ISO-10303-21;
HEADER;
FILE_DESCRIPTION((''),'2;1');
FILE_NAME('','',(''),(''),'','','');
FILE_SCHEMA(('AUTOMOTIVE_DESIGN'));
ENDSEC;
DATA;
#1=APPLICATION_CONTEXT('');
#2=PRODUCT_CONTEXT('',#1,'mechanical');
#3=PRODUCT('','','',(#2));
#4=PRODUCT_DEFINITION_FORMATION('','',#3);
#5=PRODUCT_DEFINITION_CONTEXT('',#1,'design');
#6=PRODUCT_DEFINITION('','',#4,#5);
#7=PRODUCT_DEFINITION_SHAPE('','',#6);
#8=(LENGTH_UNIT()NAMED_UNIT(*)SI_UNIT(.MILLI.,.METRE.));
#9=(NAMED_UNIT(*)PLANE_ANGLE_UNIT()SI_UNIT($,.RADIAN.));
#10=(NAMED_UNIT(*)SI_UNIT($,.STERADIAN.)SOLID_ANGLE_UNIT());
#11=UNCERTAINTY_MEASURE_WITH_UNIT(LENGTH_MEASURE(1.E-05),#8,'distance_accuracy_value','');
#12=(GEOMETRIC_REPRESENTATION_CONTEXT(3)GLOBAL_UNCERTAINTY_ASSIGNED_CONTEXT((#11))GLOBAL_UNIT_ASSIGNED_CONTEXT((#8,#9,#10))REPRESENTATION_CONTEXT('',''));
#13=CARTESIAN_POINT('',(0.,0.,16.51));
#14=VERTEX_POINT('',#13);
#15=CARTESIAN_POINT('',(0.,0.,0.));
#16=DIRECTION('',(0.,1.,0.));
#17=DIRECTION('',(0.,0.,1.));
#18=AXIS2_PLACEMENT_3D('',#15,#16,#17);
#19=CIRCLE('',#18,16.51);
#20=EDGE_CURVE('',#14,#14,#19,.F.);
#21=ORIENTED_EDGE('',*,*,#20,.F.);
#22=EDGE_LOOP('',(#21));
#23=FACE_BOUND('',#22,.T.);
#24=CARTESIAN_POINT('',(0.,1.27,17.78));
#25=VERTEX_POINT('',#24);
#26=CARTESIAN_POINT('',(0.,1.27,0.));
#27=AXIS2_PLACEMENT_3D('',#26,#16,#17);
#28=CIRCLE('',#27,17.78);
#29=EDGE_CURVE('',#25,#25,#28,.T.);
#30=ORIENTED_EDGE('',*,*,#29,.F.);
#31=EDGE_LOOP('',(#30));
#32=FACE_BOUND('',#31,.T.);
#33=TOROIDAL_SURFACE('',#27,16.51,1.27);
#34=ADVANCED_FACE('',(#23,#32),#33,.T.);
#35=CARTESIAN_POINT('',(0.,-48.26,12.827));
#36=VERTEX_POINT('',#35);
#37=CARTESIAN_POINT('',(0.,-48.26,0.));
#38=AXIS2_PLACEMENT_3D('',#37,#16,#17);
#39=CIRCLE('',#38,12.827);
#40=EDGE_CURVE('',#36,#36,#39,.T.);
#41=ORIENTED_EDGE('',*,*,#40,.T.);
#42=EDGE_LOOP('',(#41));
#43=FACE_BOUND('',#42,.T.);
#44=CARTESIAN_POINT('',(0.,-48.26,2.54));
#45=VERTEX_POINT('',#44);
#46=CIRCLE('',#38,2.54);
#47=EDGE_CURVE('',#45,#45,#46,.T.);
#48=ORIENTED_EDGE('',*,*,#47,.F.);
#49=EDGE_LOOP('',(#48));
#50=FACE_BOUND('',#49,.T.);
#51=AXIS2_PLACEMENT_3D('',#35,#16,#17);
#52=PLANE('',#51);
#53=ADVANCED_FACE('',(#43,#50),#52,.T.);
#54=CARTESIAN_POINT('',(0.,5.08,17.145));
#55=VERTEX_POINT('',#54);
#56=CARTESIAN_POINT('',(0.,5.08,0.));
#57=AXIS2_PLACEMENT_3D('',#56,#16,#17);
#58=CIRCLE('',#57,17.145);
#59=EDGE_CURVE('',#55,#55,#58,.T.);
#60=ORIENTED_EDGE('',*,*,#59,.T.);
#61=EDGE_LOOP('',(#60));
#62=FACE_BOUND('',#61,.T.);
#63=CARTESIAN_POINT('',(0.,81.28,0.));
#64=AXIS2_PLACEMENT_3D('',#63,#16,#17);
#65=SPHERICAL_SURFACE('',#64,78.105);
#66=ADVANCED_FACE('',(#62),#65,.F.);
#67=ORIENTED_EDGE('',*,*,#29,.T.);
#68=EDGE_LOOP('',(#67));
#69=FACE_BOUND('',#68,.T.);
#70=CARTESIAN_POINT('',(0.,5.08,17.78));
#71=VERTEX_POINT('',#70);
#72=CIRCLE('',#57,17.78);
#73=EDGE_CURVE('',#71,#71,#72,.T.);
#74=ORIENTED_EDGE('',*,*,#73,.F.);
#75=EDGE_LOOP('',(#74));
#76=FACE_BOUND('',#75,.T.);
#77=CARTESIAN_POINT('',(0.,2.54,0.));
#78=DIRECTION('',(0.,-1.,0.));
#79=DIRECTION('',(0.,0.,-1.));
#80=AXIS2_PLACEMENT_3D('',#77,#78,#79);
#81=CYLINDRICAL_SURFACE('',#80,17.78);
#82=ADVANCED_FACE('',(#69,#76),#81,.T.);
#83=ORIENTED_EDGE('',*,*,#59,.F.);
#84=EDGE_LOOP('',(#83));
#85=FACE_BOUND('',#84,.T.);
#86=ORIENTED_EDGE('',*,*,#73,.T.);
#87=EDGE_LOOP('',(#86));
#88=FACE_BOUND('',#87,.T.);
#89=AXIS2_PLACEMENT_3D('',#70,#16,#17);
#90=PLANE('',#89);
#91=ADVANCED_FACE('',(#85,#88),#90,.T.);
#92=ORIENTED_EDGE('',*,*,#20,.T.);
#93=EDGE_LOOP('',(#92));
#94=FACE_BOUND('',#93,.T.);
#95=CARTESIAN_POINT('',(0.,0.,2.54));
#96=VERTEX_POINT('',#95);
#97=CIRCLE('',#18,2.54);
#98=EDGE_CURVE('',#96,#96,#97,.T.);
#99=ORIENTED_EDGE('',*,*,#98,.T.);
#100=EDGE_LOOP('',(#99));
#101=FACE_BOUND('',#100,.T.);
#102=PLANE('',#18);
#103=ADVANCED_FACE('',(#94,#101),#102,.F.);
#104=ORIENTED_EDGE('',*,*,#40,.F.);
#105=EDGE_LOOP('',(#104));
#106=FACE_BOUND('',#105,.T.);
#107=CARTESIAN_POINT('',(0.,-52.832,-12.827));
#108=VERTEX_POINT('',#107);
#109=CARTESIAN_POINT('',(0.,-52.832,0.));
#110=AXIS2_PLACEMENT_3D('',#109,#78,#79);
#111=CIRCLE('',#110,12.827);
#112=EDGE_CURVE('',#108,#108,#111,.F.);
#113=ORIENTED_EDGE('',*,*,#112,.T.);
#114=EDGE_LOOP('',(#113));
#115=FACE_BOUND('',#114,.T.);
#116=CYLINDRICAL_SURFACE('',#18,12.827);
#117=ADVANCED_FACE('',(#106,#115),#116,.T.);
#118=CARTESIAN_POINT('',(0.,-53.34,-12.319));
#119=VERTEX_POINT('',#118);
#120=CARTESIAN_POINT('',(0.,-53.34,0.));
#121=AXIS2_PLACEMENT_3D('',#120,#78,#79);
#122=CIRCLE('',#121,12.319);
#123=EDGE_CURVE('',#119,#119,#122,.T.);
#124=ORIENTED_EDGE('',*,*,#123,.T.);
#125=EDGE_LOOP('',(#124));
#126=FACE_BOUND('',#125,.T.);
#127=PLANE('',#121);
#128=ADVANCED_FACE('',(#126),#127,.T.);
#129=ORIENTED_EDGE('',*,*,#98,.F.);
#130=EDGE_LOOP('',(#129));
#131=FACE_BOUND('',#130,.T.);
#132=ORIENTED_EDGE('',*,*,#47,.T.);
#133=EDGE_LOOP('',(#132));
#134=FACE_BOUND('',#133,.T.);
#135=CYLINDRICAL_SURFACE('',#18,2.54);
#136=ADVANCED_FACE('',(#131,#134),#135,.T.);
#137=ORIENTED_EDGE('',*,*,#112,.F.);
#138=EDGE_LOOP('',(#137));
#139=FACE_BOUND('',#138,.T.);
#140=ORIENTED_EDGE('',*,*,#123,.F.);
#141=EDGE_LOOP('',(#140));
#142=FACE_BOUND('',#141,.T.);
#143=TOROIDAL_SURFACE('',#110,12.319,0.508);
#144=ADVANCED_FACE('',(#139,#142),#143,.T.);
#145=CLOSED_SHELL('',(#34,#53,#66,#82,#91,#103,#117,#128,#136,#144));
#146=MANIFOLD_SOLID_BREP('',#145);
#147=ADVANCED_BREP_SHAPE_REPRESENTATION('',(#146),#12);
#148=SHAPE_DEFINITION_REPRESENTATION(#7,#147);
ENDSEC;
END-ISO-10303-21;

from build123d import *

# Parameters (mm, degrees)
SKETCH1_R           = 17.78
BOSS_EXTRUDE1_DEPTH = 2.54
FILLET1_R           = 0.508
FILLET2_R           = 1.27


with BuildPart() as part:
    # Sketch1 → Boss-Extrude1 (new body)
    with BuildSketch(Plane(origin=(0, 0, 0), x_dir=(1, 0, 0), z_dir=(0, 1, 0))):
        Circle(SKETCH1_R)
    extrude(amount=BOSS_EXTRUDE1_DEPTH)

    # Sketch2 → Revolve1 (revolve)
    with BuildSketch(Plane(origin=(0, 0, 0), x_dir=(0, 0, -1), z_dir=(1, 0, 0))):
        with BuildLine():
            Line((-17.78, 2.54), (-17.78, 5.08))
            Line((-17.78, 5.08), (-17.145, 5.08))
            ThreePointArc((-17.145, 5.08), (-8.625254344, 3.652710903), (0, 3.175))
            Line((0, 3.175), (0, 2.54))
            Line((0, 2.54), (-17.78, 2.54))
        make_face()
        Polygon((0, 0), (0, -53.34), (-12.827, -53.34), (-12.827, -48.26), (-2.54, -48.26), (-2.54, 0), align=None)
    revolve(axis=Axis((0, 0, 0), (0, -1, 0)))

    # Fillet1
    fillet1_edges = [part.edges().sort_by_distance(p)[0] for p in [
        (0, -53.34, -12.827),
    ]]
    fillet(fillet1_edges, radius=FILLET1_R)

    # Fillet2
    fillet2_edges = [part.edges().sort_by_distance(p)[0] for p in [
        (-17.78, 0, 0),
    ]]
    fillet(fillet2_edges, radius=FILLET2_R)


solid = part.part
